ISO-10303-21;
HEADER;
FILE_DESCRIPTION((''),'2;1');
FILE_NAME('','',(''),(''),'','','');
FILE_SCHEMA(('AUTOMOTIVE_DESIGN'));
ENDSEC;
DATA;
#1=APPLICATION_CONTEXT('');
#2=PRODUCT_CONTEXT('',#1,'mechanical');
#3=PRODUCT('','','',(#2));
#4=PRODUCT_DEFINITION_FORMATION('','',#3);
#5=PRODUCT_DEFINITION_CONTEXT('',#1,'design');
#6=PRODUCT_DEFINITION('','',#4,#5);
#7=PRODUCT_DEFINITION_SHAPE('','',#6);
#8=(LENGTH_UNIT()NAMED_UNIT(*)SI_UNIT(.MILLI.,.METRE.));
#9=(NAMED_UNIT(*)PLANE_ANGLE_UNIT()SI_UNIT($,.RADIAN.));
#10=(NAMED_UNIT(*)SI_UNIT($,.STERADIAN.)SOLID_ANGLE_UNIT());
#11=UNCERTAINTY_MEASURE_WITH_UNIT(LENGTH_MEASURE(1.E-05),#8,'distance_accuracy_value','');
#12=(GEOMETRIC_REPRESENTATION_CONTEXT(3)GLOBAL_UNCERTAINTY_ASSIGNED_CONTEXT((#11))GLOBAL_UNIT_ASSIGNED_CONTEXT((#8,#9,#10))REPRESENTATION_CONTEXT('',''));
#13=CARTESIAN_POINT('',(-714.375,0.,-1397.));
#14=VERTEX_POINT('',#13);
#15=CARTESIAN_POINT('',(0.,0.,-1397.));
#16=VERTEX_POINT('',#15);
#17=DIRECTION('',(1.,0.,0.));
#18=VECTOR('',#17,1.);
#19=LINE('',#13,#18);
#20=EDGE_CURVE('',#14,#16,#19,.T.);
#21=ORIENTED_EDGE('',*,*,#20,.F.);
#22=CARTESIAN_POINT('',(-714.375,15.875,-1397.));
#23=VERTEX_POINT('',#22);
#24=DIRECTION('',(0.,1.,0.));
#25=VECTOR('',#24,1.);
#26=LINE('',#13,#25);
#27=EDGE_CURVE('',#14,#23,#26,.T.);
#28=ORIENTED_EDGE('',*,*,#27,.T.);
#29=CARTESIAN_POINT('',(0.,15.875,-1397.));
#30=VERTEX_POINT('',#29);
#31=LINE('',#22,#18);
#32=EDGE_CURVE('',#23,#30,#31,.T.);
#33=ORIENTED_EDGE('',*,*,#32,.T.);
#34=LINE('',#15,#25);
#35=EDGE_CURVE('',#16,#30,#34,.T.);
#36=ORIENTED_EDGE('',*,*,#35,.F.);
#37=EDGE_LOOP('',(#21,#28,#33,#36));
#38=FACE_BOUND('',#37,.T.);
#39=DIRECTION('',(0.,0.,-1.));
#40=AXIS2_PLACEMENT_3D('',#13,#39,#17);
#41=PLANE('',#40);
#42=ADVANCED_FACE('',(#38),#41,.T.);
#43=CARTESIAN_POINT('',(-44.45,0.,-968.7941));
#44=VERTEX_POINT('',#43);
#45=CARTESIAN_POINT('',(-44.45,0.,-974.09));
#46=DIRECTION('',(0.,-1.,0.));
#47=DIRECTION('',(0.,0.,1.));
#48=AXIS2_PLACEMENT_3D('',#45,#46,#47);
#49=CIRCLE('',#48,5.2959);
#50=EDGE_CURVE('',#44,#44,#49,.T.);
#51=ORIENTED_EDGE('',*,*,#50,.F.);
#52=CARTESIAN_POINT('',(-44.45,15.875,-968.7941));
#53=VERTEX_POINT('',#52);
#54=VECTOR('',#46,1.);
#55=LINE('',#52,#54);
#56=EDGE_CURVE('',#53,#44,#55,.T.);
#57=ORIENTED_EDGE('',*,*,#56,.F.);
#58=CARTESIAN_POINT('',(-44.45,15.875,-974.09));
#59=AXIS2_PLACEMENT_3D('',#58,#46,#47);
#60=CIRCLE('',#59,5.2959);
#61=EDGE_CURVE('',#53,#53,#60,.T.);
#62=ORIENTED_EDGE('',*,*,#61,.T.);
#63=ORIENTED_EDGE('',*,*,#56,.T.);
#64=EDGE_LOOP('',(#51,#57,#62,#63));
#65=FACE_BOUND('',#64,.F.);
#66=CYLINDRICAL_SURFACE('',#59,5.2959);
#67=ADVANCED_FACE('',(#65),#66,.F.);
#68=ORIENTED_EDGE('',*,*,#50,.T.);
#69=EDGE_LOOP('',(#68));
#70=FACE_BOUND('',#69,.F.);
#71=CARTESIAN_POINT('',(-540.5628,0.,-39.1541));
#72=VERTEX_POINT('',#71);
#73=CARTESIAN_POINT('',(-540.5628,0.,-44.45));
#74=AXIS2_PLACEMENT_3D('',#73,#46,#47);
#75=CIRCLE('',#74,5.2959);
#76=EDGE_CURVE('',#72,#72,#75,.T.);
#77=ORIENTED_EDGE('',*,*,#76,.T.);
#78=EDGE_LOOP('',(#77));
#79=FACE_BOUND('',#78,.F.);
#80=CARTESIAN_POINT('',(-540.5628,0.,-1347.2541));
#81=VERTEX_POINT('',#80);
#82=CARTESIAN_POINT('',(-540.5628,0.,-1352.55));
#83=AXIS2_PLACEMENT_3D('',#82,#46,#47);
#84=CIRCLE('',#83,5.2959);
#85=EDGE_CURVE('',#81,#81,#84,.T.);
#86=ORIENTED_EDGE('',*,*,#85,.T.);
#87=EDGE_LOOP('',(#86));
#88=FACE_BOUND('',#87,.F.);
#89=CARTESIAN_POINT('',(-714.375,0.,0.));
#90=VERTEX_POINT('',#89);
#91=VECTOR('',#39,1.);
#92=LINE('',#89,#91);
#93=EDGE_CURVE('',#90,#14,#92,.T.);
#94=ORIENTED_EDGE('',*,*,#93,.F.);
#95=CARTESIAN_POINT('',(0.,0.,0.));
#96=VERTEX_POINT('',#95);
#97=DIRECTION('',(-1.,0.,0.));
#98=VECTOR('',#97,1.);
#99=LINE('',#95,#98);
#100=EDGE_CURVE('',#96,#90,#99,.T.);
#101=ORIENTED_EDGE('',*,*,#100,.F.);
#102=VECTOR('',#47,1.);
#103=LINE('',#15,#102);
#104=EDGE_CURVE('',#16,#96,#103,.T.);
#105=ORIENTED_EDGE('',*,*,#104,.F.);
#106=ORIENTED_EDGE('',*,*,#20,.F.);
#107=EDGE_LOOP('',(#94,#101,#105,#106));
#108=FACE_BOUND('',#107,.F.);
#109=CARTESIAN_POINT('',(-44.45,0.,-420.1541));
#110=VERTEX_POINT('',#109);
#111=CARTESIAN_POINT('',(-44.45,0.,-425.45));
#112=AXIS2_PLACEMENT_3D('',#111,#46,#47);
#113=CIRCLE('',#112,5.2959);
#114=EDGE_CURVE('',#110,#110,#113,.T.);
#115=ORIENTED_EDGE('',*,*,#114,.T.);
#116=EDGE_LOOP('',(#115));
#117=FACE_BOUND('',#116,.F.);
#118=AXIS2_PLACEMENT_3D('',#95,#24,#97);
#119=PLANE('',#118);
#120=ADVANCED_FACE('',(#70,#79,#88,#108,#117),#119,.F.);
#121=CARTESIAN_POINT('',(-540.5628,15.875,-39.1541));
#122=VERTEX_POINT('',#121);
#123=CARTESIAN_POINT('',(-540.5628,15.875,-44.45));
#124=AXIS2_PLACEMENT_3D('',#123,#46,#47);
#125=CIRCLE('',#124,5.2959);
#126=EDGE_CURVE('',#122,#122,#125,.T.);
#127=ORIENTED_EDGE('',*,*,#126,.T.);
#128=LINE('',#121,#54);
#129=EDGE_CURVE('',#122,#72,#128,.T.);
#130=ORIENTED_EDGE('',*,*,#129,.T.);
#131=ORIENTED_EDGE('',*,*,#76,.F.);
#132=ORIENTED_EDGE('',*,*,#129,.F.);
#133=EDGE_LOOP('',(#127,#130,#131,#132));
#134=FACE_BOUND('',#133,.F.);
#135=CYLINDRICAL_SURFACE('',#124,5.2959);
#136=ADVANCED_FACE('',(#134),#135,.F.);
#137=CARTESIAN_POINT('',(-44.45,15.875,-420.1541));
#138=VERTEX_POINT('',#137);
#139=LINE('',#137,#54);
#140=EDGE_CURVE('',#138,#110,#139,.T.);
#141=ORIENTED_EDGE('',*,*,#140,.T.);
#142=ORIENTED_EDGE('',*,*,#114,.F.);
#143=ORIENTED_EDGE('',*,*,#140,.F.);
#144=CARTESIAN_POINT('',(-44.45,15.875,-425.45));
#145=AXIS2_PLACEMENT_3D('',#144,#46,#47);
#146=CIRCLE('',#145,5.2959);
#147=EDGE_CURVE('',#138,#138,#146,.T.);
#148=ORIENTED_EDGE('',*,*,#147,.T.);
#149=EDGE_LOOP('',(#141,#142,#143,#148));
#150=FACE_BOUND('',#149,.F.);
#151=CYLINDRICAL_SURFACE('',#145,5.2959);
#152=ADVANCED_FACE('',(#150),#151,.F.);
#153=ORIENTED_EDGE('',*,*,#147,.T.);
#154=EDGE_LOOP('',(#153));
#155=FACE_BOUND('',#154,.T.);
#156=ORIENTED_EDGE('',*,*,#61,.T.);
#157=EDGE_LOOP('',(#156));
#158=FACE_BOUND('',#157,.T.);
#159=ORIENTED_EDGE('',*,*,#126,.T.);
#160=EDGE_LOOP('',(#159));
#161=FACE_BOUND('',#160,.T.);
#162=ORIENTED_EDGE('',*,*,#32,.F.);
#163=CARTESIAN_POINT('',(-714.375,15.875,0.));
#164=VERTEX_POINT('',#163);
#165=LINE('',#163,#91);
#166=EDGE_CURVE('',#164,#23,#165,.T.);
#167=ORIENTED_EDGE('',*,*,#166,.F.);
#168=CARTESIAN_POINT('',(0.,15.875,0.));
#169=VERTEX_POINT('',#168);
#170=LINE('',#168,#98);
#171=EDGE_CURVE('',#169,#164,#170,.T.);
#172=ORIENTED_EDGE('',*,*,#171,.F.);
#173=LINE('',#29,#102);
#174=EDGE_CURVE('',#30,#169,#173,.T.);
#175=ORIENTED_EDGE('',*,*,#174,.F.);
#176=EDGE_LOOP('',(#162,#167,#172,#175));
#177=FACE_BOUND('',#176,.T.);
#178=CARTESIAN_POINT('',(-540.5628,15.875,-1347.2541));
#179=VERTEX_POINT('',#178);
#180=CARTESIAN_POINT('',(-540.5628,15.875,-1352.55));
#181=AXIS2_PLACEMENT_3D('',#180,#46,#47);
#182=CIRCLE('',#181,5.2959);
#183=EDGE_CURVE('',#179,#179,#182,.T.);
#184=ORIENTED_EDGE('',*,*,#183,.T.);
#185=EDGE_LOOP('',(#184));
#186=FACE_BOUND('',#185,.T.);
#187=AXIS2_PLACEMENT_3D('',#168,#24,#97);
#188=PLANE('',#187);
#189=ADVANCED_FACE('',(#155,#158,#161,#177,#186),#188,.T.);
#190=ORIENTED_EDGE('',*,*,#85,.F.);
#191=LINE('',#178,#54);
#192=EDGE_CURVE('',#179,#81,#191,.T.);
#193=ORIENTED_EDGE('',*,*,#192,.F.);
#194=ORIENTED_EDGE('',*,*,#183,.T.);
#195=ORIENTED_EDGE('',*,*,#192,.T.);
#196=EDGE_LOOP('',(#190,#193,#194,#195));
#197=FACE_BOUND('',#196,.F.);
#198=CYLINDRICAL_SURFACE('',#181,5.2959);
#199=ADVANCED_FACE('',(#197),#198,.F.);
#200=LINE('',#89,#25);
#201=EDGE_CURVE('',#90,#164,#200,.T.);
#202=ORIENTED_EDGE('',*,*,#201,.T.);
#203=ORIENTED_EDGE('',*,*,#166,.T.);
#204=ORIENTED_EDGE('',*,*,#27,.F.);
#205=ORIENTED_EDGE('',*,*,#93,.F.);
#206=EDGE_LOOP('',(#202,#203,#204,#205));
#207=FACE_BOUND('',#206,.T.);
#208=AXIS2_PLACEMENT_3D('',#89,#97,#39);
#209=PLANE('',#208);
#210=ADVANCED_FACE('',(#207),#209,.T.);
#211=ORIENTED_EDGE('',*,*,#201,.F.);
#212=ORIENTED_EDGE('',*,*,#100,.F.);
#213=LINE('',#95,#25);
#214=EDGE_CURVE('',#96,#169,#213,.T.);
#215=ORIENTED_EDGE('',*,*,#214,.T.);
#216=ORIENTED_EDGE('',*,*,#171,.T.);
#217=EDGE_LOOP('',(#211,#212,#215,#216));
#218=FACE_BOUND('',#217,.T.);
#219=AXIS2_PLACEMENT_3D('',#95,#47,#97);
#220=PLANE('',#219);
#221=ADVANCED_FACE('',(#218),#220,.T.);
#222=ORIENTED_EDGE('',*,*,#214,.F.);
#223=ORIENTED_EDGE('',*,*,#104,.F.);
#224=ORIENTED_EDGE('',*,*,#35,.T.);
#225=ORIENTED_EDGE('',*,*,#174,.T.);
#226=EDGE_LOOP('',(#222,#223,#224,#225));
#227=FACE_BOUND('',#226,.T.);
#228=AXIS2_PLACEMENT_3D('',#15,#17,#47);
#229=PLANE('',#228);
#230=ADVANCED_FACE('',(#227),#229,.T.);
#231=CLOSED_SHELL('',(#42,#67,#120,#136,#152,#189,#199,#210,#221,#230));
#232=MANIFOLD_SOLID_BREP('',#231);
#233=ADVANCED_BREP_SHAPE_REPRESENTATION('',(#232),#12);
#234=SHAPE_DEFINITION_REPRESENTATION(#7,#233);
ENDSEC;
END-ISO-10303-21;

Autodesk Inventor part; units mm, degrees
ref_plane "YZ Plane" through (0, 0, 0) normal (1, 0, 0) x (0, 1, 0)
ref_plane "XZ Plane" through (0, 0, 0) normal (0, 1, 0) x (-1, 0, 0)
ref_plane "XY Plane" through (0, 0, 0) normal (0, 0, 1) x (1, 0, 0)
sketch "Sketch1" plane through (0, 0, 0) normal (0, 1, 0) x (-1, 0, 0)
  line L0 (0, 0) -> (714.375, 0)
  line L1 (714.375, 0) -> (714.375, -1397)
  line L2 (714.375, -1397) -> (0, -1397)
  line L3 (0, -1397) -> (0, 0)
  dimension "d0" = 714.375
  dimension "d1" = 1397
extrude "Extrusion1" add sketch "Sketch1" along normal blind 15.875
sketch "Sketch2" plane through (0, 15.875, 0) normal (0, 1, 0) x (1, 0, 0)
  line L0 (0, 1397) -> (-714.375, 1397) projected
  line L1 (-714.375, 1397) -> (-714.375, 0) projected
  line L2 (0, 0) -> (-44.45, 0)
  line L3 (0, 0) -> (-714.375, 0) projected
  line L4 (-44.45, 0) -> (-44.45, 425.45)
  line L5 (-44.45, 1397) -> (-44.45, 974.09)
  line L6 (0, 0) -> (-540.5628, 0)
  line L7 (-540.5628, 0) -> (-540.5628, 44.45)
  point P0 (-540.5628, 1352.55)
  dimension "d8" = 44.45
  dimension "d9" = 425.45
  dimension "d10" = 422.91
  dimension "d11" = 540.5628
hole "Hole1" at (-540.5628, 15.875, -44.45) at (-540.5628, 15.875, -1352.55) at (-44.45, 15.875, -974.09) at (-44.45, 15.875, -425.45) direction (0, -1, 0) diameter 10.5918 depth 35.179 tip angle 118 thread size "1/2-13 UNC" class "2B" standard "ANSI Unified Screw Threads"
properties part number "Ceiling 2 Holeless half"
